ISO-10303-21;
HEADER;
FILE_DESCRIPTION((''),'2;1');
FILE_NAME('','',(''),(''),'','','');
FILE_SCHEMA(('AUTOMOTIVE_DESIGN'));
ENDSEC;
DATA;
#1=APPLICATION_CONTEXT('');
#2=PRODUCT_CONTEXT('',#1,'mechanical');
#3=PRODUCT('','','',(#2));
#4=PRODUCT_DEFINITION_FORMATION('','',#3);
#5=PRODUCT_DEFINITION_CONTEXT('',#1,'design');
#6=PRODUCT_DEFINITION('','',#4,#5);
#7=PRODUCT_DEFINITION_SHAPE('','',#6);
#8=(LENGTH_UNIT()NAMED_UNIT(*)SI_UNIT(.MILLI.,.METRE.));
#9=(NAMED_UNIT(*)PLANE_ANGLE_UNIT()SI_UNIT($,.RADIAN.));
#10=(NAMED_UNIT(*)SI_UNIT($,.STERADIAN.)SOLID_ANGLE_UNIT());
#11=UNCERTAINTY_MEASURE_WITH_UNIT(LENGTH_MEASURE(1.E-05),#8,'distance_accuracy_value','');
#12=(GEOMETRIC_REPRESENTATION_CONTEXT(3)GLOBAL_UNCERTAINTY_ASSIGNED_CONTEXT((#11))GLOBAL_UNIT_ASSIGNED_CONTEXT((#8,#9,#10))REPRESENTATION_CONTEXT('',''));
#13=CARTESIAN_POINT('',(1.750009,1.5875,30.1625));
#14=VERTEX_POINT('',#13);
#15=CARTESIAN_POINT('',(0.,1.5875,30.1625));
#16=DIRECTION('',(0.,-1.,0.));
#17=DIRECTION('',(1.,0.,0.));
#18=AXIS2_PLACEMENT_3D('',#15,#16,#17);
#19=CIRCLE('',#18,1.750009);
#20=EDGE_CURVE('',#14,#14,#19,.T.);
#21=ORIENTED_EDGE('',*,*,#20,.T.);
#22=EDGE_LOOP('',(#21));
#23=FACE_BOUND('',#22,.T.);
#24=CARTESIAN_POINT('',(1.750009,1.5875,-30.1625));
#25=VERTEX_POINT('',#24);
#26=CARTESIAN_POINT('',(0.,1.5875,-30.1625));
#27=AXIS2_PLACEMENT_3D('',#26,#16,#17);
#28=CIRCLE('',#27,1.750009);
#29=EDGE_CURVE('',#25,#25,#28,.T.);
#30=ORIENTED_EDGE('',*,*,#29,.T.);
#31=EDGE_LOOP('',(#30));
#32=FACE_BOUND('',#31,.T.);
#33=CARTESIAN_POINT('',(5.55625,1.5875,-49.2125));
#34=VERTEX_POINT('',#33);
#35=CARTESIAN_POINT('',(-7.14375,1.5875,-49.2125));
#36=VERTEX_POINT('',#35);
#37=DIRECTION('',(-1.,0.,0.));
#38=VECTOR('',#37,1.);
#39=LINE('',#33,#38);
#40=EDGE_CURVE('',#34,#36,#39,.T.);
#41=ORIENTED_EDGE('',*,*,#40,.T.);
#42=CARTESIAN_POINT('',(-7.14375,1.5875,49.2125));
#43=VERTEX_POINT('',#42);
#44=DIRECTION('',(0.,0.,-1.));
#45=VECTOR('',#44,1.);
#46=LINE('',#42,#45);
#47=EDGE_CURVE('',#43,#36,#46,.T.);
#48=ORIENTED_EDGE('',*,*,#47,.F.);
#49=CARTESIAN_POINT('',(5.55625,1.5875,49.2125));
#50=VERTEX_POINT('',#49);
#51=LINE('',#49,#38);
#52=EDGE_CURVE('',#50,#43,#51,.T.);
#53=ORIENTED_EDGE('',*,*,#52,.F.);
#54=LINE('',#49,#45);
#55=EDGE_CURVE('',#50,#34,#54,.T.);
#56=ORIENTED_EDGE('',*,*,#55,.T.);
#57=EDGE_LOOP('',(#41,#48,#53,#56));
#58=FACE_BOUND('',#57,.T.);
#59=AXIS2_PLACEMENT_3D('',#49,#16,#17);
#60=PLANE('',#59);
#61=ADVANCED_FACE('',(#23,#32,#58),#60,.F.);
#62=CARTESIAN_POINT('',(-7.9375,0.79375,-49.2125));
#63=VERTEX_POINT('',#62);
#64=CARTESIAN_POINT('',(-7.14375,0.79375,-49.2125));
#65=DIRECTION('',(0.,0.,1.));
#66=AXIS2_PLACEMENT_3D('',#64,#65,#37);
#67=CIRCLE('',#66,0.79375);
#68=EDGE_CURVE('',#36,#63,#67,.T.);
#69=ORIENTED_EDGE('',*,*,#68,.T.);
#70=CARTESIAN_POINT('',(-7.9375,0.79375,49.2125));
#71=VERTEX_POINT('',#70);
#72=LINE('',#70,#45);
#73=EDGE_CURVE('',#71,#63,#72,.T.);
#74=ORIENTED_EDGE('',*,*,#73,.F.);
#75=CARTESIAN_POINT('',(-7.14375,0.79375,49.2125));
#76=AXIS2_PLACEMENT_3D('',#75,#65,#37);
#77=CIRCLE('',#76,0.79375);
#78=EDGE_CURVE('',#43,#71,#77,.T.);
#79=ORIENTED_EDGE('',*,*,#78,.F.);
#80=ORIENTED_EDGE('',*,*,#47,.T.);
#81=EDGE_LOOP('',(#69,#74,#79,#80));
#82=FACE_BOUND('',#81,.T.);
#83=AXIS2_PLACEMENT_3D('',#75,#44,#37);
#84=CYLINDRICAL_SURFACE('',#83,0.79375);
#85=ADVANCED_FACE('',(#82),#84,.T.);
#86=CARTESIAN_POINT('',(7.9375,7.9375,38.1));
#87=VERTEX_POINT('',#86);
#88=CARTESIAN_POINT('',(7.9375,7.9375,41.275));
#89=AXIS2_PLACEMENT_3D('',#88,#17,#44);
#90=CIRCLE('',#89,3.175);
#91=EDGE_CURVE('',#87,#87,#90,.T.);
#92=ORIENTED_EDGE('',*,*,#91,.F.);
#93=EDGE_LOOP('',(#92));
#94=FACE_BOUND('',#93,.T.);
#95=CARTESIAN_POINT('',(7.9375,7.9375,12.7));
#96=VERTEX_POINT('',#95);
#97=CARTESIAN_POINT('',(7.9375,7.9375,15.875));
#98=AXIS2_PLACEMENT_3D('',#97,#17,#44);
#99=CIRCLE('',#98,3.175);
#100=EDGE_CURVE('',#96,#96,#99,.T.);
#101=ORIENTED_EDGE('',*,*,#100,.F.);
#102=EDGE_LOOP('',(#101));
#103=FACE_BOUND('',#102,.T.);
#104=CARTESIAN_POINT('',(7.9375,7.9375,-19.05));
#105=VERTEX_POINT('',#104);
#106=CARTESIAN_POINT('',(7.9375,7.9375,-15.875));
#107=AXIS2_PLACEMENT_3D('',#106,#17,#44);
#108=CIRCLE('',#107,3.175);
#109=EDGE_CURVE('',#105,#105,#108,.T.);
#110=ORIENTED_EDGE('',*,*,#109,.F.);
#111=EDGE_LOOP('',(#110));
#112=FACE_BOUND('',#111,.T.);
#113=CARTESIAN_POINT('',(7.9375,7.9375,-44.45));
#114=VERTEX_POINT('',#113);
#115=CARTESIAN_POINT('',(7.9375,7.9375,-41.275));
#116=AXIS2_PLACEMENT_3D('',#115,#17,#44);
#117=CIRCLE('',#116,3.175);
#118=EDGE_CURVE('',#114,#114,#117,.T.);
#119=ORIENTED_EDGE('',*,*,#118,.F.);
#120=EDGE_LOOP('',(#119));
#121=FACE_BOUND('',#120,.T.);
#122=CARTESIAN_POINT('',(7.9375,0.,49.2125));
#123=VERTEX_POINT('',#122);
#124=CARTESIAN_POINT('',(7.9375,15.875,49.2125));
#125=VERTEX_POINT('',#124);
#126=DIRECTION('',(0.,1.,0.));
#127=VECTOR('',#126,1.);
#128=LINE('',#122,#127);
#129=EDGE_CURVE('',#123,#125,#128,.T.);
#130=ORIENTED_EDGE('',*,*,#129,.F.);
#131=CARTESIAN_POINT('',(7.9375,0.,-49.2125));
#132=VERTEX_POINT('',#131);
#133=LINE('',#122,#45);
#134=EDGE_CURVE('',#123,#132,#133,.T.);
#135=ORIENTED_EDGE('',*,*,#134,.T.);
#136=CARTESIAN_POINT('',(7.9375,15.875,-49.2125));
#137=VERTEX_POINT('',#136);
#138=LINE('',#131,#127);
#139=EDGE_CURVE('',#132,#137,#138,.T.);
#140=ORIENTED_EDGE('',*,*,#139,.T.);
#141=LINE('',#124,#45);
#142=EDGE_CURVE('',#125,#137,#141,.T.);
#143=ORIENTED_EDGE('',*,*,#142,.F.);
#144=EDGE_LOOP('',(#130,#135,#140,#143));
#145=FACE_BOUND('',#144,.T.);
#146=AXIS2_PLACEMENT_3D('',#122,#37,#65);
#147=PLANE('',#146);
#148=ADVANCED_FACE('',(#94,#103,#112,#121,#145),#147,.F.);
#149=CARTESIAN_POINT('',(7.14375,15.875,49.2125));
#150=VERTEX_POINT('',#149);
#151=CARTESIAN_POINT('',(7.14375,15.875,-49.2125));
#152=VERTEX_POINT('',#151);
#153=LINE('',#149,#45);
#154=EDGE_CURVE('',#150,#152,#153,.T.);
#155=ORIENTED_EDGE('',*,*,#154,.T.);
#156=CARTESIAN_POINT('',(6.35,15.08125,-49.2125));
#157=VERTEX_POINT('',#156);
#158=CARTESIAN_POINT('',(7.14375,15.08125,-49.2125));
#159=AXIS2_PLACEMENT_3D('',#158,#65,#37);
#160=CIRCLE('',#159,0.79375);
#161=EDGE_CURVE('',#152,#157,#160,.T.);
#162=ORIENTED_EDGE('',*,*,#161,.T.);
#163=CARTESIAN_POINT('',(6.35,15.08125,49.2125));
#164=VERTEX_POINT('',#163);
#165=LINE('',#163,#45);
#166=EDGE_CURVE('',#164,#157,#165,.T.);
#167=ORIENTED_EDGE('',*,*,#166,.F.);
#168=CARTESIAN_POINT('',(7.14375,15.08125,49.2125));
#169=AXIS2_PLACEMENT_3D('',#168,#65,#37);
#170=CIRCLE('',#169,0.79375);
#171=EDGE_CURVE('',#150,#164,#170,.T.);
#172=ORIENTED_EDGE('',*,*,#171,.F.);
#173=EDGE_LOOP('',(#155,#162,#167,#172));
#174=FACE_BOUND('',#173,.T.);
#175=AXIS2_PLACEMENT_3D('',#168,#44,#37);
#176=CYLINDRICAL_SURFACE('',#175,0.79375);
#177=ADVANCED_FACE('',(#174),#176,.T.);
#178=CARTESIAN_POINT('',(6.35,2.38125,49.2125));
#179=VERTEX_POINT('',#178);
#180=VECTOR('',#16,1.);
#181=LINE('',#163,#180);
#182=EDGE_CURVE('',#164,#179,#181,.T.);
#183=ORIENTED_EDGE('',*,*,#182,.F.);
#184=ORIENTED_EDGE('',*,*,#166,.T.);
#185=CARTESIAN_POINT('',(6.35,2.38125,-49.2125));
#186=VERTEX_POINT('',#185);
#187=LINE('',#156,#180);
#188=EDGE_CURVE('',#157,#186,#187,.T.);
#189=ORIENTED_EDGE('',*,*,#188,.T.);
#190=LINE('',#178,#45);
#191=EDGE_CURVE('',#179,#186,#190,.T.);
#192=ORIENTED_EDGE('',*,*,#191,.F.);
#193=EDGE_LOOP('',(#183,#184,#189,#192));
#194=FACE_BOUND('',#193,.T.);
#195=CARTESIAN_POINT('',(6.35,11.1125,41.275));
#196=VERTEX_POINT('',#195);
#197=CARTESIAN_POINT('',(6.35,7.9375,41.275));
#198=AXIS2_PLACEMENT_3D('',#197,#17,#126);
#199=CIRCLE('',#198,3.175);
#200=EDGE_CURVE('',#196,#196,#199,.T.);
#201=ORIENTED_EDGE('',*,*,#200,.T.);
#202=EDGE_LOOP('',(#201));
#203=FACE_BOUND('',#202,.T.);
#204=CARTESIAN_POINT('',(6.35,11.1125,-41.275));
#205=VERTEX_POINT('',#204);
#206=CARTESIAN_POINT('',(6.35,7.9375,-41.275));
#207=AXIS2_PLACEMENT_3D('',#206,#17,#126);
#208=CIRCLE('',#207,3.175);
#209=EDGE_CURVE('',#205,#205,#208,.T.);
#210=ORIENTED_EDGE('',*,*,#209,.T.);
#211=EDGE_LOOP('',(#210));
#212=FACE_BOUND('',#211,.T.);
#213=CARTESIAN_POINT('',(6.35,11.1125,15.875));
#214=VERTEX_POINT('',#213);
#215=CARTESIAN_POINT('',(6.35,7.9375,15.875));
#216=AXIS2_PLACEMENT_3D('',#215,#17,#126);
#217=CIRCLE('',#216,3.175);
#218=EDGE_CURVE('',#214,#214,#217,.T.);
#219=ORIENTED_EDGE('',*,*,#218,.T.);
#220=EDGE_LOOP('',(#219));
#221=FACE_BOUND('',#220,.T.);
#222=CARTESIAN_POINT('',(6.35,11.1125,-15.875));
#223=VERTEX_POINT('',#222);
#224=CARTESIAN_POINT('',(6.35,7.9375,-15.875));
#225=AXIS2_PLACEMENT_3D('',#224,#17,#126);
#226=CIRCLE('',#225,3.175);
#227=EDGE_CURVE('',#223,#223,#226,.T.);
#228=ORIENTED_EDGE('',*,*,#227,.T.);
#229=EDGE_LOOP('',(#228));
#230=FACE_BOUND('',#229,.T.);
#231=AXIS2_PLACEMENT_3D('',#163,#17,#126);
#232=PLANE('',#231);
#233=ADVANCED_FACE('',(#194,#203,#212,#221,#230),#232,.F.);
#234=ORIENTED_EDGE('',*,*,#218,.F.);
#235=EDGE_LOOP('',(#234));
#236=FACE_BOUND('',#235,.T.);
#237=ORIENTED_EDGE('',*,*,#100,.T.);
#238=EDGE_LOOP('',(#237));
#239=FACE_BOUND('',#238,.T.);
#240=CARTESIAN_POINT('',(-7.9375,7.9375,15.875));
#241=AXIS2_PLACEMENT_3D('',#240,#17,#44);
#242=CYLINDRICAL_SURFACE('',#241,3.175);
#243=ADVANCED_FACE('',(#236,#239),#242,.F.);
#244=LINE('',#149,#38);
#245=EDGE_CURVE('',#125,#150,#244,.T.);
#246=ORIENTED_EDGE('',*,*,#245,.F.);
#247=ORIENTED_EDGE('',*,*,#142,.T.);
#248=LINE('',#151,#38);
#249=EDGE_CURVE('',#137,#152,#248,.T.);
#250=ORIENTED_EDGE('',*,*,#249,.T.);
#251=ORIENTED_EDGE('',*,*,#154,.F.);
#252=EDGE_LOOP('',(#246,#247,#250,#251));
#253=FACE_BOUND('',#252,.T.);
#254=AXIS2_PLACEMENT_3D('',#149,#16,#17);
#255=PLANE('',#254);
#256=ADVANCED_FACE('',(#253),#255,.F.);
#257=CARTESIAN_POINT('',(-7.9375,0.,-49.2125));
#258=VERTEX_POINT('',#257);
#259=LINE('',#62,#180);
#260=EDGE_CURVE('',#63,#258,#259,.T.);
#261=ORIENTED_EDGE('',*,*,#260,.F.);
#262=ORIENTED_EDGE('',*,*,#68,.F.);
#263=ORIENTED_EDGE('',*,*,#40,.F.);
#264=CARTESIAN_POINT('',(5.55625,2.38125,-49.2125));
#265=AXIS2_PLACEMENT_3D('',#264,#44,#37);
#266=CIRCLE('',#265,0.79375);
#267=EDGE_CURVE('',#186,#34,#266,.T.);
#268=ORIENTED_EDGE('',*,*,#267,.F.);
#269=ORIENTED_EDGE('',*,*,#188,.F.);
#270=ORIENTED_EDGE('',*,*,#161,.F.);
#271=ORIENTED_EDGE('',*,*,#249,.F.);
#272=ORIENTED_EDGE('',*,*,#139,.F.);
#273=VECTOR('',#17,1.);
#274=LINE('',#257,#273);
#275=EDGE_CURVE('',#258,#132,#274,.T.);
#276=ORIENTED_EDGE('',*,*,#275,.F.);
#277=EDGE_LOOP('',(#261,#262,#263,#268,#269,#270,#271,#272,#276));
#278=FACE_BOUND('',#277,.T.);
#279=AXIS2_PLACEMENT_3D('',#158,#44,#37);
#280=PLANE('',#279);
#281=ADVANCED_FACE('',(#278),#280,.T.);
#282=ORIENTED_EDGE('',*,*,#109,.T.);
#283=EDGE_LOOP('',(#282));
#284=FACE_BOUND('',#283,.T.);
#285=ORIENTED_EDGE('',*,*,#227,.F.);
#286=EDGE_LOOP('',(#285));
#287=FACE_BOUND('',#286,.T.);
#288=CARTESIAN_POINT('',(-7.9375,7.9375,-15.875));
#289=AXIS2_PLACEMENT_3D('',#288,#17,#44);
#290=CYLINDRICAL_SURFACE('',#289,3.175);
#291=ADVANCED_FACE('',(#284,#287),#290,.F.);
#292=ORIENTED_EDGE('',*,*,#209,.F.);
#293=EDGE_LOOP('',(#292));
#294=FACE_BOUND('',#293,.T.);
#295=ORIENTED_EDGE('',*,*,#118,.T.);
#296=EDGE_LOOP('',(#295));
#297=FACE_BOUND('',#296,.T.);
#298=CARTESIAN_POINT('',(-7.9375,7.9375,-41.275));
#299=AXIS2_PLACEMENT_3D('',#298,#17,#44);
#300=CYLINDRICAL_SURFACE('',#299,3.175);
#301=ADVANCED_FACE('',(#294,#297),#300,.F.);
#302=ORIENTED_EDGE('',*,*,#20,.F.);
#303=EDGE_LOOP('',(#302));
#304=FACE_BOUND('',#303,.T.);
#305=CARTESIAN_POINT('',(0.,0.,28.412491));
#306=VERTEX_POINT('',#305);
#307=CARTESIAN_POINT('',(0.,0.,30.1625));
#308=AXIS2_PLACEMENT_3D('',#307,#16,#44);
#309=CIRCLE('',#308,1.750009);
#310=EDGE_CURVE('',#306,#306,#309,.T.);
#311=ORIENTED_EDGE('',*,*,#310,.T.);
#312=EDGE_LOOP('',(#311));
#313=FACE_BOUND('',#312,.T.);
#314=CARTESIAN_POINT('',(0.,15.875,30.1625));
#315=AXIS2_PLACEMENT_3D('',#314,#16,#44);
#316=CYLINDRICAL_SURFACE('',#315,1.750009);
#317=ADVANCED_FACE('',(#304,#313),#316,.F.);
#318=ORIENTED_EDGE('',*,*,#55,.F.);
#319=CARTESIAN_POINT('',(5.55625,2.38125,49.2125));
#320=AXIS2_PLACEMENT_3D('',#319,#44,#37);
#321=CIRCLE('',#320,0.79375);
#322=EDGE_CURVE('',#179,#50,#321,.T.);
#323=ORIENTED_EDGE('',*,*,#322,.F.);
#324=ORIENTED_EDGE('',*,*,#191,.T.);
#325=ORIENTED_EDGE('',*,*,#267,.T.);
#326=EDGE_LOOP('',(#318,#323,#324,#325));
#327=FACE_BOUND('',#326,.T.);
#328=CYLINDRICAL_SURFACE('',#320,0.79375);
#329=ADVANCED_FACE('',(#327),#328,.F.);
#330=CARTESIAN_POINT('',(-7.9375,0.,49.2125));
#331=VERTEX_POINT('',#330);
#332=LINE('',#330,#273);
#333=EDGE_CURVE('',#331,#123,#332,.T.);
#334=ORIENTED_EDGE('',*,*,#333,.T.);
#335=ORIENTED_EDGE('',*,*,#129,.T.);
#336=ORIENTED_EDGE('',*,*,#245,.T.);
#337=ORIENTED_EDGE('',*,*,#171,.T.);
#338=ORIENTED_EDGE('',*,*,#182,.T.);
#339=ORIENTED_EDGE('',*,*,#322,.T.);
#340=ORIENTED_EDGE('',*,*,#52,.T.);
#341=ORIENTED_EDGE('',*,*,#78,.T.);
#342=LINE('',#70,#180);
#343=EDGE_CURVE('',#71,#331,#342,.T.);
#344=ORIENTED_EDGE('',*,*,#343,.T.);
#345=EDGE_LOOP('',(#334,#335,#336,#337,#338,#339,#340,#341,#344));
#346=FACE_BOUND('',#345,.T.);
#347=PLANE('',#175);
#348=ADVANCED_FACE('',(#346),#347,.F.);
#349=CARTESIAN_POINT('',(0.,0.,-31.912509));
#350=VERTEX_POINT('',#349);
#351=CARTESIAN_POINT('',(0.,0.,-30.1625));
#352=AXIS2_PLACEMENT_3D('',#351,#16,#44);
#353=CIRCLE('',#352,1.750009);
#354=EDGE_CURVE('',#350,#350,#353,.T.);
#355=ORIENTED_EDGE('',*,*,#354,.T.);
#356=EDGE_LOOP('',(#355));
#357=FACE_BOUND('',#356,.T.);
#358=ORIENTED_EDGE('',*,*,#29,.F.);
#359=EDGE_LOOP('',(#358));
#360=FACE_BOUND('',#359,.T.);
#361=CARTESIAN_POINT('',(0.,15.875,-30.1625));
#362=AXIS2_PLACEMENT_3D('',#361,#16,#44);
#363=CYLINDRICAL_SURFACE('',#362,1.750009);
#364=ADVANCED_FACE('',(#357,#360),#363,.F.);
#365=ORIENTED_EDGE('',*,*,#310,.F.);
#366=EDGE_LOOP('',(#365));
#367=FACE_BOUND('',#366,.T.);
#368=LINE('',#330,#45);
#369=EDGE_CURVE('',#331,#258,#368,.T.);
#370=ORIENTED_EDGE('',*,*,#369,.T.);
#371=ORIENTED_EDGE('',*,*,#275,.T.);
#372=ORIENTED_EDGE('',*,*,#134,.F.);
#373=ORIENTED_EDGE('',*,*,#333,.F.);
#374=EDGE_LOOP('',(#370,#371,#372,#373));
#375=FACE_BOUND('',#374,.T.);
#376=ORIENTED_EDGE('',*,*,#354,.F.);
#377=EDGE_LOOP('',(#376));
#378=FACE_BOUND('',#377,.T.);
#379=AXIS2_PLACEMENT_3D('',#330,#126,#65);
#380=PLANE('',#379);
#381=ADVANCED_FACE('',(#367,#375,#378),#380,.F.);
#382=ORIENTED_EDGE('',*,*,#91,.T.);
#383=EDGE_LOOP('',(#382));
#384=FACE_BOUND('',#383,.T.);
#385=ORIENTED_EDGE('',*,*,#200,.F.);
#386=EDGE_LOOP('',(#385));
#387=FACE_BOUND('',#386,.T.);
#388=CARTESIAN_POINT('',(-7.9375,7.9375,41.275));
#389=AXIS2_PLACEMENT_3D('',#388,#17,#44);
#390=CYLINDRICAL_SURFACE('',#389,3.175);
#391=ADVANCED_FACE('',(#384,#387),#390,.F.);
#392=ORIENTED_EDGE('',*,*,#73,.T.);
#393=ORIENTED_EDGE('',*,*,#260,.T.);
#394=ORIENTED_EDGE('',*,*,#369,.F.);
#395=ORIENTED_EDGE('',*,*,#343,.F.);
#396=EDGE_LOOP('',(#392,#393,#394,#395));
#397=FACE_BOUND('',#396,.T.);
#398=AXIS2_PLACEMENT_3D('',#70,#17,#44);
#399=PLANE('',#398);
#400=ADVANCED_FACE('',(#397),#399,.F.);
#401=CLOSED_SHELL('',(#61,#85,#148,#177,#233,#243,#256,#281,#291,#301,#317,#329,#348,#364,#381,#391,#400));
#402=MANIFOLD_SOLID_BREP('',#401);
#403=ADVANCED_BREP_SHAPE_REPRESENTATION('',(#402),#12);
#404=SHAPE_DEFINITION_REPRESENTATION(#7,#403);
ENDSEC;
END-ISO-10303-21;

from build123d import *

# Parameters (mm, degrees)
BOSS_EXTRUDE1_DEPTH = 49.2125
SKETCH3_R           = 3.175
CUT_EXTRUDE1_DEPTH  = 16.875
SKETCH4_R           = 1.7500092
CUT_EXTRUDE2_DEPTH  = 16.875


with BuildPart() as part:
    # Sketch2 → Boss-Extrude1 (new body, symmetric)
    with BuildSketch(Plane.XY):
        with BuildLine():
            Line((-7.9375, 0), (7.9375, 0))
            Line((7.9375, 0), (7.9375, 15.875))
            Line((7.9375, 15.875), (7.14375, 15.875))
            ThreePointArc((7.14375, 15.875), (6.582483992, 15.642516008), (6.35, 15.08125))
            Line((6.35, 15.08125), (6.35, 2.38125))
            ThreePointArc((6.35, 2.38125), (6.117516008, 1.819983992), (5.55625, 1.5875))
            Line((5.55625, 1.5875), (-7.14375, 1.5875))
            ThreePointArc((-7.14375, 1.5875), (-7.705016008, 1.355016008), (-7.9375, 0.79375))
            Line((-7.9375, 0.79375), (-7.9375, 0))
        make_face()
    extrude(amount=BOSS_EXTRUDE1_DEPTH, both=True)

    # Sketch3 → Cut-Extrude1 (cut, through all)
    with BuildSketch(Plane(origin=(7.9375, 0, 0), x_dir=(0, 0, -1), z_dir=(1, 0, 0))):
        with Locations((-41.275, 7.9375)):
            Circle(SKETCH3_R)
        with Locations((41.275, 7.9375)):
            Circle(SKETCH3_R)
        with Locations((-15.875, 7.9375)):
            Circle(SKETCH3_R)
        with Locations((15.875, 7.9375)):
            Circle(SKETCH3_R)
    extrude(amount=-CUT_EXTRUDE1_DEPTH, mode=Mode.SUBTRACT)

    # Sketch4 → Cut-Extrude2 (cut, through all)
    with BuildSketch(Plane.XZ):
        with Locations((0, -30.1625)):
            Circle(SKETCH4_R)
        with Locations((0, 30.1625)):
            Circle(SKETCH4_R)
    extrude(amount=-CUT_EXTRUDE2_DEPTH, mode=Mode.SUBTRACT)


solid = part.part
